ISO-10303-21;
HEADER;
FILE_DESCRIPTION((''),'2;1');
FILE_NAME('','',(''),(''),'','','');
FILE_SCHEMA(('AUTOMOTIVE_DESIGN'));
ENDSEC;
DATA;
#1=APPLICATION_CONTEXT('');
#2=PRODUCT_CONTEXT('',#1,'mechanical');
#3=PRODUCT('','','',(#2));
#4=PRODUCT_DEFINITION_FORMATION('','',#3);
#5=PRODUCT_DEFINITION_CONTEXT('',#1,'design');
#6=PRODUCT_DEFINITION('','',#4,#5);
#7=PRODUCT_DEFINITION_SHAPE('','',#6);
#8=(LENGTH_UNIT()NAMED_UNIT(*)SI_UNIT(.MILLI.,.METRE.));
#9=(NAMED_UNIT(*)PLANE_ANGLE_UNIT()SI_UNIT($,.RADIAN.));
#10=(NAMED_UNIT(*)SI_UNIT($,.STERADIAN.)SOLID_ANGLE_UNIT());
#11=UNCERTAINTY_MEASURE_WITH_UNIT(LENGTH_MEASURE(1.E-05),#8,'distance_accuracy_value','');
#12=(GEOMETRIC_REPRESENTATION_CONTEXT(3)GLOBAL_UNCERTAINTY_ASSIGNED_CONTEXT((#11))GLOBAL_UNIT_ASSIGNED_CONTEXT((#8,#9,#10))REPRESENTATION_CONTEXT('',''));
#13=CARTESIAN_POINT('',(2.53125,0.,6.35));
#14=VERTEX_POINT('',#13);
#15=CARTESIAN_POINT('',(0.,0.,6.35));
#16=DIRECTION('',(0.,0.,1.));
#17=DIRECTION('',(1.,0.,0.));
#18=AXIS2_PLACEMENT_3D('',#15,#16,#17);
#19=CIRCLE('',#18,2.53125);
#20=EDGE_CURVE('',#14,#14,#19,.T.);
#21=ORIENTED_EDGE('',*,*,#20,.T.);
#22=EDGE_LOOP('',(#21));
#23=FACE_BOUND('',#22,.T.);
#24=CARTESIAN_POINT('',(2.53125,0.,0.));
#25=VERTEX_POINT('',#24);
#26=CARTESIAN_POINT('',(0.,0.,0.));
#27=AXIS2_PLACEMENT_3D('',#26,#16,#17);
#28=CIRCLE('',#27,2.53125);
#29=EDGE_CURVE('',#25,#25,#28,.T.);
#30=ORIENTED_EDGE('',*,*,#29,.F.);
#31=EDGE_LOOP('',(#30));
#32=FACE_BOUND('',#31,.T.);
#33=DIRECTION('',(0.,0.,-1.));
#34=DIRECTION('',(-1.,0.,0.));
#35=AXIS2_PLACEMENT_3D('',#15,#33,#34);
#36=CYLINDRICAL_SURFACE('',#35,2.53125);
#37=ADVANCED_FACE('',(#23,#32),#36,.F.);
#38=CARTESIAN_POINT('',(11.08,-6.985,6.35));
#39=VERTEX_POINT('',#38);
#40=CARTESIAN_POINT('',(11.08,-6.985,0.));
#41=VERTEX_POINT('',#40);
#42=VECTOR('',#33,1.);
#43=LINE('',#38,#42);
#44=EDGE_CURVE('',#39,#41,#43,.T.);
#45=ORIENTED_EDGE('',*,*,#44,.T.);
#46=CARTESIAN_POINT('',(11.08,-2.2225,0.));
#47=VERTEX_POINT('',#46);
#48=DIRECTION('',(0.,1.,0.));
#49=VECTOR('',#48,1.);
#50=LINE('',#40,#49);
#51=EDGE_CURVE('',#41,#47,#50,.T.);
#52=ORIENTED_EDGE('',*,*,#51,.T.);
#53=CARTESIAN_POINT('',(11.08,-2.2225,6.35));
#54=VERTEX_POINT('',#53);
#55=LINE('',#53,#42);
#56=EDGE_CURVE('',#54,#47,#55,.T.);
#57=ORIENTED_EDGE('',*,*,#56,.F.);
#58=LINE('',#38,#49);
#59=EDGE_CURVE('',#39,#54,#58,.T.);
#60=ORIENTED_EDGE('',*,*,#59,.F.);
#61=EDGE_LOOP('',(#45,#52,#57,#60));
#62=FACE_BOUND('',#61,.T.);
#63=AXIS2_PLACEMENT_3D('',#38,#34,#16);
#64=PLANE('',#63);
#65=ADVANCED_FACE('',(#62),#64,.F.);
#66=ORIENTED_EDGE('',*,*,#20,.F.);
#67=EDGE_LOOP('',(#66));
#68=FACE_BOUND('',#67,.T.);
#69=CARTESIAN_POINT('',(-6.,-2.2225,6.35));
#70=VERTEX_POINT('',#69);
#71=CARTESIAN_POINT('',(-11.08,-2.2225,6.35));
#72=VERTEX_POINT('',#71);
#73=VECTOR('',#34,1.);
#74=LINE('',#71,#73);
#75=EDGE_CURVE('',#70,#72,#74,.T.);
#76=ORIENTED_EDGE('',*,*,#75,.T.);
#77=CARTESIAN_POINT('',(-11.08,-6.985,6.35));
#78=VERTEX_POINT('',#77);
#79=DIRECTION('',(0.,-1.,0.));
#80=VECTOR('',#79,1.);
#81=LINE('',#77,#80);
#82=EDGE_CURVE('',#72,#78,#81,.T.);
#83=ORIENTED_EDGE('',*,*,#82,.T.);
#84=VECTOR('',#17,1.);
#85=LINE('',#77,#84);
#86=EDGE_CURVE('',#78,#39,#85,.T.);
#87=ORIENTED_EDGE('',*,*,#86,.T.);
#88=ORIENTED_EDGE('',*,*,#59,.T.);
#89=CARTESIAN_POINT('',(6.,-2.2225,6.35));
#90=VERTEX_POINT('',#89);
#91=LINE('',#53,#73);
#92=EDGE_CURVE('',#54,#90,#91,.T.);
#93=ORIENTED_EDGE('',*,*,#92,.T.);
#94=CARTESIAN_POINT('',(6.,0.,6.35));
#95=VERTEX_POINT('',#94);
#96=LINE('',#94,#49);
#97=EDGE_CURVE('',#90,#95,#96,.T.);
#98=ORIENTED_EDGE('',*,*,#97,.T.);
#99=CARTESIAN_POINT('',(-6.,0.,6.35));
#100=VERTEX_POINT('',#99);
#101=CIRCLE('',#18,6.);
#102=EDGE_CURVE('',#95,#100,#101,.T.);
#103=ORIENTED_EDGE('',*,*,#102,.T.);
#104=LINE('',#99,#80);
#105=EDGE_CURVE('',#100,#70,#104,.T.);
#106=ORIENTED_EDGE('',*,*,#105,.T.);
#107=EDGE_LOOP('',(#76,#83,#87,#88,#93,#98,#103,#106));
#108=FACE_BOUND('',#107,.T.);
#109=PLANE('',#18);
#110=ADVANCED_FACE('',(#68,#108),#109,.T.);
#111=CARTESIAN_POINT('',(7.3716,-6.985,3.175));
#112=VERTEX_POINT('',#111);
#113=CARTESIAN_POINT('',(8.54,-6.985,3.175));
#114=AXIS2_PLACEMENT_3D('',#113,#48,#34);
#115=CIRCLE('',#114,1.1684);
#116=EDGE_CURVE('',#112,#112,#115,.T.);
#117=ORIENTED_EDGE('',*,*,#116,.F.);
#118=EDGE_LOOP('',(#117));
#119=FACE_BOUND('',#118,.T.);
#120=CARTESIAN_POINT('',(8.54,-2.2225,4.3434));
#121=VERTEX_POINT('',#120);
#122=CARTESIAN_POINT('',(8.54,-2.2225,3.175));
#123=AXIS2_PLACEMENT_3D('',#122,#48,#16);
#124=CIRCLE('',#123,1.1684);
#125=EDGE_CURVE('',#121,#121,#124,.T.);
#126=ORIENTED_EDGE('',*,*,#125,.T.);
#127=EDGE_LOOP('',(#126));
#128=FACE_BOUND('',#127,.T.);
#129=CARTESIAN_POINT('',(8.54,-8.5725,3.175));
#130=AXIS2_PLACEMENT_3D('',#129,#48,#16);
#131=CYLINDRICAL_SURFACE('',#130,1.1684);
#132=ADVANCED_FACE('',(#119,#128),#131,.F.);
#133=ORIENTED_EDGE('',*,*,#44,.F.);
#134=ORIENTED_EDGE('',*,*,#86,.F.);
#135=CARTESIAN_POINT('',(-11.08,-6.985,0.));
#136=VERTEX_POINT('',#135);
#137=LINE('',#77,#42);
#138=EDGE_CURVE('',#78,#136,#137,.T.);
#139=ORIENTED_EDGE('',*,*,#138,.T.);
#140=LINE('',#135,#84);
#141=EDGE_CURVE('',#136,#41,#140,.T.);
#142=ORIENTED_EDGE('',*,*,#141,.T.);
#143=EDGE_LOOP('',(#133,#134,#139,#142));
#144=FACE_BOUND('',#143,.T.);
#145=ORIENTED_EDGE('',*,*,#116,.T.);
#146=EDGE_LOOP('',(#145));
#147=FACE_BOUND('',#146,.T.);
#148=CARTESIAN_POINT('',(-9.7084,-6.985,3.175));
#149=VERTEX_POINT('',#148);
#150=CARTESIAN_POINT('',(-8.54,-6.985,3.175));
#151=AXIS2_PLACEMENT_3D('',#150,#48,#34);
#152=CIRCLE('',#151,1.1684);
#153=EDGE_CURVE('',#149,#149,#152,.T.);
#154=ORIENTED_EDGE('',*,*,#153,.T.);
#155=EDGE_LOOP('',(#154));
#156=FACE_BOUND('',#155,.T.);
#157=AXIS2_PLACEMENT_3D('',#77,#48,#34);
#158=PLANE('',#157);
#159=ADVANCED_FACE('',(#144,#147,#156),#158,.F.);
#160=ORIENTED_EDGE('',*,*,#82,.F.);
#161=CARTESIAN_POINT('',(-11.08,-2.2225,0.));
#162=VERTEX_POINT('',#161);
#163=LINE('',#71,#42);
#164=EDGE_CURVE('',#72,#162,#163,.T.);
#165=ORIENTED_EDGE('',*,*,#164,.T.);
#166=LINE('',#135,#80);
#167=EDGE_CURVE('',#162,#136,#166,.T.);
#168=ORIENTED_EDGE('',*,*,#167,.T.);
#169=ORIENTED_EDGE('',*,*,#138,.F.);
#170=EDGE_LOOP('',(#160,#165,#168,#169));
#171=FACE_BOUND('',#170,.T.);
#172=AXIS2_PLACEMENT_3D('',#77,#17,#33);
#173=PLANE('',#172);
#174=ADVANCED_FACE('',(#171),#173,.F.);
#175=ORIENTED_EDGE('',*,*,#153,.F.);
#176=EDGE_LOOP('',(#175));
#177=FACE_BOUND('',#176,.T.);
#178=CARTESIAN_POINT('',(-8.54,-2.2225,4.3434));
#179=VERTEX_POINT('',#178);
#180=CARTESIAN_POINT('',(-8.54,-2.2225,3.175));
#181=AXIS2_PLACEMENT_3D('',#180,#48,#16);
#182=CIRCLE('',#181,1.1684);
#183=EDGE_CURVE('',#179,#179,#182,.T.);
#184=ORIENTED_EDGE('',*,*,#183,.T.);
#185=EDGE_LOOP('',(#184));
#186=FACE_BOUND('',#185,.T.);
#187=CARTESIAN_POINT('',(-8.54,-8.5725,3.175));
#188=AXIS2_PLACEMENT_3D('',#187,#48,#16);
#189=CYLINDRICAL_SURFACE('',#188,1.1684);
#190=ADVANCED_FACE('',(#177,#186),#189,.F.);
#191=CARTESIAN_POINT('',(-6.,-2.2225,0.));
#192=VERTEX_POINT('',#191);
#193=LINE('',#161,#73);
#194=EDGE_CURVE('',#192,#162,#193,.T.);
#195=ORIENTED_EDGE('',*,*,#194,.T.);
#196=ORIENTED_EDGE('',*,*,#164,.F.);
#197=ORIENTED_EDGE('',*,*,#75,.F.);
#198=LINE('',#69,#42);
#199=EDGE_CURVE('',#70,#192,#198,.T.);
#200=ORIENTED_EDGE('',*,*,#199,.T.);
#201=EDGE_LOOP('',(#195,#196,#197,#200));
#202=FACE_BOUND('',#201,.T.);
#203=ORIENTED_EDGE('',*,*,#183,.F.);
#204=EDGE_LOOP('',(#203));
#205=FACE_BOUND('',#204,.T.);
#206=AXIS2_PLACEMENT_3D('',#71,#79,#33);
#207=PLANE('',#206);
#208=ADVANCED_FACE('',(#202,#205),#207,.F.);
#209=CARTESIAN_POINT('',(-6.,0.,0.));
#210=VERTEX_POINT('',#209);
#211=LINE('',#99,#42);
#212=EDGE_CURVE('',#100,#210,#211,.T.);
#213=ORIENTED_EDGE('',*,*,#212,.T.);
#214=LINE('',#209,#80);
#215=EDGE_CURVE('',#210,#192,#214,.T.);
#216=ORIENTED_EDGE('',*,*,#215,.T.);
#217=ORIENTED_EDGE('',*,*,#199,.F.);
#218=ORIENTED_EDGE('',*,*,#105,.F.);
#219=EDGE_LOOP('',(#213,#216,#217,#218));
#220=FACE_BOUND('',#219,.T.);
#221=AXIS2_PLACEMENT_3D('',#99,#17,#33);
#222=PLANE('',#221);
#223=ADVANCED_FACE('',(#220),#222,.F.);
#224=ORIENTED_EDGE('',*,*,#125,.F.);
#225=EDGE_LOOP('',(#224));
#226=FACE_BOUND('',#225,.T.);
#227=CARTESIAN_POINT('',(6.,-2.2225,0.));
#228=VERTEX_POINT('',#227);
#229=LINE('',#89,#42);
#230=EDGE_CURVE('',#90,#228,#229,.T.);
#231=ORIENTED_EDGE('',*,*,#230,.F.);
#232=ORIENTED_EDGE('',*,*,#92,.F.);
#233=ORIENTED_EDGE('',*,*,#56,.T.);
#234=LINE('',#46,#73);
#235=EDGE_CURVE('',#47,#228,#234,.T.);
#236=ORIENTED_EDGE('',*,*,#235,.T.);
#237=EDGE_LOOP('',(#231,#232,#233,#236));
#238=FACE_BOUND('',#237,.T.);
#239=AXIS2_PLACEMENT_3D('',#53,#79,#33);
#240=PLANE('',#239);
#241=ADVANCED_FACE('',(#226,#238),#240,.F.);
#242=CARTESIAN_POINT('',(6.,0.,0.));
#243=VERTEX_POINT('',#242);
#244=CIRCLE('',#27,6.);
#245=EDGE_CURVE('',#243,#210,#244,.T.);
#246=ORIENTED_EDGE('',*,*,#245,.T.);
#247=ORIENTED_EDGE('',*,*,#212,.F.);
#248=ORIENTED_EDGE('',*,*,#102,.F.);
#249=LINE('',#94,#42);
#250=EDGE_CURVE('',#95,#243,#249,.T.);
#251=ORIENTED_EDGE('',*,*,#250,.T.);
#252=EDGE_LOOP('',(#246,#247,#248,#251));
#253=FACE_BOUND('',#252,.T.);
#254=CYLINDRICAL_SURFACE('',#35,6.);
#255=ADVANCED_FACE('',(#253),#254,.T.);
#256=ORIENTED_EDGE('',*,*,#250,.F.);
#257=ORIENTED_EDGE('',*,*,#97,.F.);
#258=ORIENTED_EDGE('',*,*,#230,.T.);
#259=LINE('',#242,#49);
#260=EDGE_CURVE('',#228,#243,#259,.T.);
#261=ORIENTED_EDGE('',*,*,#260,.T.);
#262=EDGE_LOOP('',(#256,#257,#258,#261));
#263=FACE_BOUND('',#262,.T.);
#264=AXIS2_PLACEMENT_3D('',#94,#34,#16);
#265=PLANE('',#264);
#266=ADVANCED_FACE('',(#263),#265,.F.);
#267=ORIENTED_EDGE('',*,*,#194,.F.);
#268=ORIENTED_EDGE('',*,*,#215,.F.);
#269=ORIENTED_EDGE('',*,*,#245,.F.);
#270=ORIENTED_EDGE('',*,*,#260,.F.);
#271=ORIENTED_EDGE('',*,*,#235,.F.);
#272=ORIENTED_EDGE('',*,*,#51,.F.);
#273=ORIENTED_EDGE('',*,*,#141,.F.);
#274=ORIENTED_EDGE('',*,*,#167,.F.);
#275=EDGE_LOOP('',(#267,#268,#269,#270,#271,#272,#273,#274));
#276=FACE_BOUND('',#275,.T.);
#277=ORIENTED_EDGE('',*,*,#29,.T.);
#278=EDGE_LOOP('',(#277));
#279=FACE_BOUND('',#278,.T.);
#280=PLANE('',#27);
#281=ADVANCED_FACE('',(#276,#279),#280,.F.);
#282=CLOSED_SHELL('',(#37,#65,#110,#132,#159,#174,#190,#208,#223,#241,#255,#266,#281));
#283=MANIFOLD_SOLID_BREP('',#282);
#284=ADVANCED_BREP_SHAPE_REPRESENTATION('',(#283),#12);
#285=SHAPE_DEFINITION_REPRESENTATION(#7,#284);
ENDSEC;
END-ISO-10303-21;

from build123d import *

# Parameters (mm, degrees)
SKETCH1_R           = 2.53125
BOSS_EXTRUDE1_DEPTH = 6.35
SKETCH2_R           = 1.1684
CUT_EXTRUDE1_DEPTH  = 6.35


with BuildPart() as part:
    # Sketch1 → Boss-Extrude1 (new body)
    with BuildSketch(Plane.XY):
        with BuildLine():
            Line((-6, 0), (-6, -2.2225))
            Line((-6, -2.2225), (-11.08, -2.2225))
            Line((-11.08, -2.2225), (-11.08, -6.985))
            Line((-11.08, -6.985), (11.08, -6.985))
            Line((11.08, -6.985), (11.08, -2.2225))
            Line((11.08, -2.2225), (6, -2.2225))
            Line((6, -2.2225), (6, 0))
            ThreePointArc((6, 0), (0, 6), (-6, 0))
        make_face()
        Circle(SKETCH1_R, mode=Mode.SUBTRACT)
    extrude(amount=BOSS_EXTRUDE1_DEPTH)

    # Sketch2 → Cut-Extrude1 (cut)
    with BuildSketch(Plane(origin=(0, -2.2225, 0), x_dir=(1, 0, 0), z_dir=(0, 1, 0))):
        with Locations(Location((-8.54, -3.175, 0), (0, 0, 270))):
            Circle(SKETCH2_R)
        with Locations(Location((8.54, -3.175, 0), (0, 0, 270))):
            Circle(SKETCH2_R)
    extrude(amount=-CUT_EXTRUDE1_DEPTH, mode=Mode.SUBTRACT)


solid = part.part
